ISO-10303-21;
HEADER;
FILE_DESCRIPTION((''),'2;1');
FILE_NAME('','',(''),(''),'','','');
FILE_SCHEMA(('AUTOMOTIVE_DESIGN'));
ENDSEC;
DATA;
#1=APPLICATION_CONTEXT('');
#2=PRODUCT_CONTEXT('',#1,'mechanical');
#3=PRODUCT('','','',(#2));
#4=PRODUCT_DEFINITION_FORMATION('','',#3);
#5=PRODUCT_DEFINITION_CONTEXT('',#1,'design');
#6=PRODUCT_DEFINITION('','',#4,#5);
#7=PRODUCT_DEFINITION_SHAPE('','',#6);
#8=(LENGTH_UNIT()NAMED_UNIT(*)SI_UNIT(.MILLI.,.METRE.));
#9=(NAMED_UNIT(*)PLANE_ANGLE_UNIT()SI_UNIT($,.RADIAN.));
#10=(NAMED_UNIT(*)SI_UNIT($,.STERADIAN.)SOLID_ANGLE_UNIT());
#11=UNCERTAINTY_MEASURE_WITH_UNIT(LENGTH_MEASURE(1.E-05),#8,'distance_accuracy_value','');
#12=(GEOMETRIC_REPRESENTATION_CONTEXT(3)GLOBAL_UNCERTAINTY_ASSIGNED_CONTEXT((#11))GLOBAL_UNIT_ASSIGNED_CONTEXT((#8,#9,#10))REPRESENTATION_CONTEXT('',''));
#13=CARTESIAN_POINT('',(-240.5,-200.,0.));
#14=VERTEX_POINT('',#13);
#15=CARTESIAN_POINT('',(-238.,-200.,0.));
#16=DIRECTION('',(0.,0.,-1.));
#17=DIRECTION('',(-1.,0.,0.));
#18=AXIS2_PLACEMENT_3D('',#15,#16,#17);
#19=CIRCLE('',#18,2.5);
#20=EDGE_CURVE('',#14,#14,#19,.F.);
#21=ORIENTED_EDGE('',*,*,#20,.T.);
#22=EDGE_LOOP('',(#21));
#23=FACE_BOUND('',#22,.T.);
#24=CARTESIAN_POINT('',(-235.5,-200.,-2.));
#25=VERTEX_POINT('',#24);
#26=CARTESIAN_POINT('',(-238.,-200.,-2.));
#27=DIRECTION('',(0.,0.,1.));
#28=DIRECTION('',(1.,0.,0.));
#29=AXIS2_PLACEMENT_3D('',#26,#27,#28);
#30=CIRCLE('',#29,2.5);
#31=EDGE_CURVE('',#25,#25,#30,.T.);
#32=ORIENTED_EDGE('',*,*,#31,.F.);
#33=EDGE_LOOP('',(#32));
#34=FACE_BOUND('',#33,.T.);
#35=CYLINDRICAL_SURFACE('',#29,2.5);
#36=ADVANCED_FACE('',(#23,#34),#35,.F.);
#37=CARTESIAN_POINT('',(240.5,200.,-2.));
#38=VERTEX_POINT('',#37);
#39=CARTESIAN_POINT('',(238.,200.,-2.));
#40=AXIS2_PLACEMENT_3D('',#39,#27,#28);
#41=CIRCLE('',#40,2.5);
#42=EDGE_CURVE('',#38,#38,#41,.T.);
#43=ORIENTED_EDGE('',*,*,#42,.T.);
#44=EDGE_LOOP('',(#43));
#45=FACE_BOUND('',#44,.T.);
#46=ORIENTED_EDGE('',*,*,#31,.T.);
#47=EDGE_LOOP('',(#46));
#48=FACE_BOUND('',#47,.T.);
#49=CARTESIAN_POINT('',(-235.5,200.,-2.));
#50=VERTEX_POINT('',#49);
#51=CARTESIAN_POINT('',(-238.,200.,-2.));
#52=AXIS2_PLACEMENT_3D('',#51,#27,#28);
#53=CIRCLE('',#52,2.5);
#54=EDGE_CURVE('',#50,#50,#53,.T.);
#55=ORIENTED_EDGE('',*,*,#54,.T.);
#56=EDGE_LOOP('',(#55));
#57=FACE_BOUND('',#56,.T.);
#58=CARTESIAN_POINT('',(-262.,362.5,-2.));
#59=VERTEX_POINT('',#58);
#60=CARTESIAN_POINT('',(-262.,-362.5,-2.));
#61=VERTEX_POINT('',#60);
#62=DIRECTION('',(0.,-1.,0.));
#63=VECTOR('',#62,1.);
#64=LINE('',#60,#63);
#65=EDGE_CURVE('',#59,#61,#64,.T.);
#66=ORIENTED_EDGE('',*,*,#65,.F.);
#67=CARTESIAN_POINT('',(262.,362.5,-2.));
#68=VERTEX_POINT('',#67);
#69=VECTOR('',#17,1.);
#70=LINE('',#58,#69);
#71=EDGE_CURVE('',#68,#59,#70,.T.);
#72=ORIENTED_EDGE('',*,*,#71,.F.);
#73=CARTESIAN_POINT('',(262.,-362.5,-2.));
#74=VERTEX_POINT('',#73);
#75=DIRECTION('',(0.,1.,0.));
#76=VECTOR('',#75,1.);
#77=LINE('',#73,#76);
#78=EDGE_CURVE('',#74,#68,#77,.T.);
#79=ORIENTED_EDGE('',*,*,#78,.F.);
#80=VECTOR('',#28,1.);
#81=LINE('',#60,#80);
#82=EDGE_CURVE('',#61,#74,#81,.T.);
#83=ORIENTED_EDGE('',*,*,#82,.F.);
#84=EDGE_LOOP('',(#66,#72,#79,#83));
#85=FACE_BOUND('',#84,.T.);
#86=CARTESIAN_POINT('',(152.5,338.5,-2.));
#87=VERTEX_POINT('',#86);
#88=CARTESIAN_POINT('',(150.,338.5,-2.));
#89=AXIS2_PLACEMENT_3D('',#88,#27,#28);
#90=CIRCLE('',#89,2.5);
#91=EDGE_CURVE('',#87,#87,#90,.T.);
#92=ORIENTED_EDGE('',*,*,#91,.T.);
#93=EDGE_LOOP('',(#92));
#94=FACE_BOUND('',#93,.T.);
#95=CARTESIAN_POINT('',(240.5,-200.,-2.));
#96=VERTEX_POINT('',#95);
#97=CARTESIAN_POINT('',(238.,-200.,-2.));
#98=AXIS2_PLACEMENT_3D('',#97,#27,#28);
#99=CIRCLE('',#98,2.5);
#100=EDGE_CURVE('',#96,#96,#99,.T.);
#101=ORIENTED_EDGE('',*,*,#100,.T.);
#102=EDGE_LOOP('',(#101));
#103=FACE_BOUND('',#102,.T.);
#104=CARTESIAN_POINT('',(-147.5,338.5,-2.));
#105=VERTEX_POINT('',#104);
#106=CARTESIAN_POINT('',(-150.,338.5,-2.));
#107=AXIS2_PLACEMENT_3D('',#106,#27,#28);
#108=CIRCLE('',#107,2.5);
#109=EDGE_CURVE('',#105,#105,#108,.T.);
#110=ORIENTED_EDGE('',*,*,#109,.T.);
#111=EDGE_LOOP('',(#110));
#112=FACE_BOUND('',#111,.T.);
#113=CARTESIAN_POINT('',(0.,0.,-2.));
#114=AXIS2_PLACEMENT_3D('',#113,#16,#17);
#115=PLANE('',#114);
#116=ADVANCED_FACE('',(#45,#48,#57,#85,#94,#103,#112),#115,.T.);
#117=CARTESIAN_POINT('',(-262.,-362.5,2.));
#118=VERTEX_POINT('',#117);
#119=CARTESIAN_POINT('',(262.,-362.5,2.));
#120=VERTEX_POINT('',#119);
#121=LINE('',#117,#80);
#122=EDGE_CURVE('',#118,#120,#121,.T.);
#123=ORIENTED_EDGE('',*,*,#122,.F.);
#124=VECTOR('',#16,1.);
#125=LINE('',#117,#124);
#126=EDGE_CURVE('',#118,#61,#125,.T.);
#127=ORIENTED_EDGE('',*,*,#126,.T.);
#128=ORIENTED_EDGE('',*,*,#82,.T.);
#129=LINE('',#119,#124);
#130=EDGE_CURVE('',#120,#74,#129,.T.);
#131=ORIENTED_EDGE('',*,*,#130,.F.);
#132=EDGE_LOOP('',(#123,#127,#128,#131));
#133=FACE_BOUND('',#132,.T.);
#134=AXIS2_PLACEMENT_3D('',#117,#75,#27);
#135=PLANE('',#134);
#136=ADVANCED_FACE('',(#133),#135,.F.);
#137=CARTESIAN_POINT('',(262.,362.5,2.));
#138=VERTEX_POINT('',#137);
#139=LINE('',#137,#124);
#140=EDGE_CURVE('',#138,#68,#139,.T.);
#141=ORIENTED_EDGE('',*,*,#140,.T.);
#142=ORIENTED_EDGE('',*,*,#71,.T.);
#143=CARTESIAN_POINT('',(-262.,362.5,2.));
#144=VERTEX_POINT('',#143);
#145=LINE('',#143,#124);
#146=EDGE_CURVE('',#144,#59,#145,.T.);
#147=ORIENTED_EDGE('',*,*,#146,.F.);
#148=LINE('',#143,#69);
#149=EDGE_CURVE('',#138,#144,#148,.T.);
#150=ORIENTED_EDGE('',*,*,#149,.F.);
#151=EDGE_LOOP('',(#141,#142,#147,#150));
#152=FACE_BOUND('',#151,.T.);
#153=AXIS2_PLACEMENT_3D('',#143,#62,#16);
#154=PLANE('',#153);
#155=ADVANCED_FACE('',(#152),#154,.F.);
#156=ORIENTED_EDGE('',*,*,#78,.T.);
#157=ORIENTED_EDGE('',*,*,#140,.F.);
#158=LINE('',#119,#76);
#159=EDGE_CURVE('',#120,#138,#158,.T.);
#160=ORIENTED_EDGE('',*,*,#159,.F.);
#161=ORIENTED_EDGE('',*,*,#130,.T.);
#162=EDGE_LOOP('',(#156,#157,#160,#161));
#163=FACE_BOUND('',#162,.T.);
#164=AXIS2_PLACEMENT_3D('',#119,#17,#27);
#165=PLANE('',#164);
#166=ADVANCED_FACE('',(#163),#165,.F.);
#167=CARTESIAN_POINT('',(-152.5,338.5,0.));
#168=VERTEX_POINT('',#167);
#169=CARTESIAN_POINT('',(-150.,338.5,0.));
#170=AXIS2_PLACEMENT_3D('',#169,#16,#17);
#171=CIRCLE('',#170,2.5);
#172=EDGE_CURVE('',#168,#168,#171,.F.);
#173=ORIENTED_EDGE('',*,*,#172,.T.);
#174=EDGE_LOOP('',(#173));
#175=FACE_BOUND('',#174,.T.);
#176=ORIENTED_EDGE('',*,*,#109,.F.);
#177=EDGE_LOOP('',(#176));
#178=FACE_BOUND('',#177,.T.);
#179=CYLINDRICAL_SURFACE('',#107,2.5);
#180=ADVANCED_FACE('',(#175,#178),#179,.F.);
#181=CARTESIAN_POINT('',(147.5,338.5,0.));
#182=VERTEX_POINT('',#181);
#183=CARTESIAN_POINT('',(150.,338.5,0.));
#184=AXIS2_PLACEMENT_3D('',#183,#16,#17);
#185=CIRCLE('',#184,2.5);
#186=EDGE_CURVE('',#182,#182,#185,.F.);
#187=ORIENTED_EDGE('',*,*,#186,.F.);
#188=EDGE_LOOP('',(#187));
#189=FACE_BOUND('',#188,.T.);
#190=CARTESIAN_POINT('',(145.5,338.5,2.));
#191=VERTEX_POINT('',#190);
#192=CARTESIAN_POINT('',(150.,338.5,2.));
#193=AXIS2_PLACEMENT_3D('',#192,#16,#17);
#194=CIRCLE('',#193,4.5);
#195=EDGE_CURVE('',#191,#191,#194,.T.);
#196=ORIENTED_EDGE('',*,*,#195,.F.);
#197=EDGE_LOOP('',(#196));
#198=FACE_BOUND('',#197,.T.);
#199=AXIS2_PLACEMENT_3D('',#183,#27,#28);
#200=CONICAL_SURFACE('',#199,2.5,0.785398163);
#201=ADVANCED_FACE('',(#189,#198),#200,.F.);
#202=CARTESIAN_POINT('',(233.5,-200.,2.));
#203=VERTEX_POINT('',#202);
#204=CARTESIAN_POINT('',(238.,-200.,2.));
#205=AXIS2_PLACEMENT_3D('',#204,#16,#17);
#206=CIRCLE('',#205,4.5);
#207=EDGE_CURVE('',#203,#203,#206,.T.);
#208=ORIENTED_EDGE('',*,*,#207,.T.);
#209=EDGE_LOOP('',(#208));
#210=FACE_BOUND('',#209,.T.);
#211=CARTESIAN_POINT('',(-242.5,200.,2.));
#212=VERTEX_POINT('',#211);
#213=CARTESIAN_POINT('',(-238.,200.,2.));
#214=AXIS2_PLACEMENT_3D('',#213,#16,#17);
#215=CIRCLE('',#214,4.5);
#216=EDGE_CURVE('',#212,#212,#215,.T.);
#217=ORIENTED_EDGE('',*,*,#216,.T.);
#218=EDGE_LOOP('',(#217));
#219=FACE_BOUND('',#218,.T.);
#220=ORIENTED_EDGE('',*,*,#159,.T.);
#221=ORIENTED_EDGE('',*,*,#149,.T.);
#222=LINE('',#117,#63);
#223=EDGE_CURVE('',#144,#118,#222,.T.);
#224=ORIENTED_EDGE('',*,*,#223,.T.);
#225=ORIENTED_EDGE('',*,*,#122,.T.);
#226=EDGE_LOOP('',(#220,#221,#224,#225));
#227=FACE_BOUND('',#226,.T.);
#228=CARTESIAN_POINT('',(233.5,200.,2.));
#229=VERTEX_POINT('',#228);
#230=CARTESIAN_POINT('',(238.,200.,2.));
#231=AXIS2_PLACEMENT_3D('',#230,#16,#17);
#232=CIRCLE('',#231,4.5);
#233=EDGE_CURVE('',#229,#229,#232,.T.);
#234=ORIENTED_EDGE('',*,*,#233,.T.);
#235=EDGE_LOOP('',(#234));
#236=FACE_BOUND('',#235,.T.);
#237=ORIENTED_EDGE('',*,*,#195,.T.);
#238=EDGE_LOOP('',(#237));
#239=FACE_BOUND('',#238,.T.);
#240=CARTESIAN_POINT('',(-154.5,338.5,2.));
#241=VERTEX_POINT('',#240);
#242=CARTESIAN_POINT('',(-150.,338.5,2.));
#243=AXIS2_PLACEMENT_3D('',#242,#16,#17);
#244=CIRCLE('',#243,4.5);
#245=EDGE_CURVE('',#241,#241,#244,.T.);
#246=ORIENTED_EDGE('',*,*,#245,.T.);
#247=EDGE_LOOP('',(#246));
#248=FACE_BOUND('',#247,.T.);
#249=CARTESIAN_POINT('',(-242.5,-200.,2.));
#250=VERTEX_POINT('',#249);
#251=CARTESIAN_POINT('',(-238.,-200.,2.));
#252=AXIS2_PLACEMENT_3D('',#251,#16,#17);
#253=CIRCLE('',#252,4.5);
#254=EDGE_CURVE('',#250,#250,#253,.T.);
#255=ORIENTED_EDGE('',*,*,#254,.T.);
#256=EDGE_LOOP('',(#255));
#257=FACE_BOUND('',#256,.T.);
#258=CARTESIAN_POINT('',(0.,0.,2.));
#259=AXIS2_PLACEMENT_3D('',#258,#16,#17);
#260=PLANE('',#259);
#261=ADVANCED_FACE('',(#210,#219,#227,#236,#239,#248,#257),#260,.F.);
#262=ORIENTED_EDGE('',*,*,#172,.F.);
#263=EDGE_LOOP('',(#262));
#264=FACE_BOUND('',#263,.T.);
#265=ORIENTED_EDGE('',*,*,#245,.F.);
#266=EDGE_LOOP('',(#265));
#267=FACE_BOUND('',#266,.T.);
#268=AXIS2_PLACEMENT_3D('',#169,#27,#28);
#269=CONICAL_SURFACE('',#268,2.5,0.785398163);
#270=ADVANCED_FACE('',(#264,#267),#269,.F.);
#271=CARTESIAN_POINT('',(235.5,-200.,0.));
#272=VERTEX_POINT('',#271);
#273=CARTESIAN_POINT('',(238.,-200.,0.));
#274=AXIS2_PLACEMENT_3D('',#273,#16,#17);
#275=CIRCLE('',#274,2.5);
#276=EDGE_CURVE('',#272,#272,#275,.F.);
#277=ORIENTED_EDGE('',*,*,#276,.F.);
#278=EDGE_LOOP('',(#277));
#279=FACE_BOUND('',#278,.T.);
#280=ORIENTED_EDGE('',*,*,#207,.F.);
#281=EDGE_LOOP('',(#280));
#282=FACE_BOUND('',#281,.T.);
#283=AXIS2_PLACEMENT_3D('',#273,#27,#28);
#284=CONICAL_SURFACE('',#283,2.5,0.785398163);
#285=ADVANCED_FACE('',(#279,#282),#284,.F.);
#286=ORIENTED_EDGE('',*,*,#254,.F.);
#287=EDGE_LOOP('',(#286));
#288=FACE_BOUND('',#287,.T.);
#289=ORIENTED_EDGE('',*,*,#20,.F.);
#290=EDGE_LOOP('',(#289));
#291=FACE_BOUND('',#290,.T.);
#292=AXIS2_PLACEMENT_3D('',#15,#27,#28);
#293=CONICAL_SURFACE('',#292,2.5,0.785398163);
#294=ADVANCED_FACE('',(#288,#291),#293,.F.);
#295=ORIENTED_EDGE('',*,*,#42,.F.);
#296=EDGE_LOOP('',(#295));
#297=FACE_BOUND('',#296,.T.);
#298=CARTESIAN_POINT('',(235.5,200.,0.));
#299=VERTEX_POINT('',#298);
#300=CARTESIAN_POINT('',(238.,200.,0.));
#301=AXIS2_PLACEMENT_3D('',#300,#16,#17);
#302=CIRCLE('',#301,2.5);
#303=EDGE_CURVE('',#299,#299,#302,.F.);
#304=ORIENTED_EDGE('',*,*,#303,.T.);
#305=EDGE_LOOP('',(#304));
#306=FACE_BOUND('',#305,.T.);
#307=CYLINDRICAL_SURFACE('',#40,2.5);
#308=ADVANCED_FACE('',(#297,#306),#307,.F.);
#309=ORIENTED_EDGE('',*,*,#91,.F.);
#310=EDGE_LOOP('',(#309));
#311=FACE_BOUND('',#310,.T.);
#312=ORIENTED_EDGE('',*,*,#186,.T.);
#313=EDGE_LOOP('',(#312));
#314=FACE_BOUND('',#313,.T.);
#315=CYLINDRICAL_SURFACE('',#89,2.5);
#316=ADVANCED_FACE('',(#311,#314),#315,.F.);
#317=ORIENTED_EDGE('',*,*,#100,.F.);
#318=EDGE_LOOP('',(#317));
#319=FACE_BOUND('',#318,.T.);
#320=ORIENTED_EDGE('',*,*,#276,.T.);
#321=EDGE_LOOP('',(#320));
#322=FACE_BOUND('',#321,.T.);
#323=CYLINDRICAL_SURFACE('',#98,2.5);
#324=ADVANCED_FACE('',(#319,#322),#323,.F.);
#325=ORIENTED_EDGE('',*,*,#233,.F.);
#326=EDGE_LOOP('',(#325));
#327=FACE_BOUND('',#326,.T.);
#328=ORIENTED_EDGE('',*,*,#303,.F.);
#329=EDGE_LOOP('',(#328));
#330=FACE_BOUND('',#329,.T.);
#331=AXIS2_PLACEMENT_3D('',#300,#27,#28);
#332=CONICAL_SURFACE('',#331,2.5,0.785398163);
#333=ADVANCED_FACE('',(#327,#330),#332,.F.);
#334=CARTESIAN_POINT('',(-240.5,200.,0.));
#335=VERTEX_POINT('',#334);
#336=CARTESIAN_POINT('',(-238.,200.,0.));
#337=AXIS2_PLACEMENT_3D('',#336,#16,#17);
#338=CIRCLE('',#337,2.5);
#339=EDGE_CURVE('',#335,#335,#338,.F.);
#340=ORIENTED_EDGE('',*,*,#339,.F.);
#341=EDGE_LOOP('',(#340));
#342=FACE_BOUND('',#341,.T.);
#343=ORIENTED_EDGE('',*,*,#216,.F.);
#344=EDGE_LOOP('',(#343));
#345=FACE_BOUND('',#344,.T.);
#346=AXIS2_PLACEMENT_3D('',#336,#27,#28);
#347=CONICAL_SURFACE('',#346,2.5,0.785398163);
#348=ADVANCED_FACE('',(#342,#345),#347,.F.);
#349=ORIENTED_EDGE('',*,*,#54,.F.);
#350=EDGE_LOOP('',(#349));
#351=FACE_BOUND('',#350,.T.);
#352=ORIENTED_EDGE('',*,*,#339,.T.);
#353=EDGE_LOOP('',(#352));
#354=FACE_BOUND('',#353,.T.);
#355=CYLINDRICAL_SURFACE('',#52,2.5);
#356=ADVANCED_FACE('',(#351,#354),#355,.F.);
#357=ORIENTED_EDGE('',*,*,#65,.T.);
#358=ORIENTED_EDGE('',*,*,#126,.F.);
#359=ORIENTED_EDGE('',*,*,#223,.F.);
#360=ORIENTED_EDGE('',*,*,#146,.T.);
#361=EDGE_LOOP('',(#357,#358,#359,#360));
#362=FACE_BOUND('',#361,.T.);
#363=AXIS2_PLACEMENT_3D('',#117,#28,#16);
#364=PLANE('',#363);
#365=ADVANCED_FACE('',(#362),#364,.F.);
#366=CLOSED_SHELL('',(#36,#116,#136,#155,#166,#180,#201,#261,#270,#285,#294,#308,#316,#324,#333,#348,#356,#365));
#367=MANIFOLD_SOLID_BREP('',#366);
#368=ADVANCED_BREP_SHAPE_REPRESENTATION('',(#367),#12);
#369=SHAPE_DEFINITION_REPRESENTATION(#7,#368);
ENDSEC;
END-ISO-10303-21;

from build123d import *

# Parameters (mm, degrees)
ESQUISSE1_W             = 524
ESQUISSE1_H             = 725
BOSS_EXTRU_1_DEPTH      = 2
ESQUISSE2_R             = 2.5
ENL_V_MAT_EXTRU_1_DEPTH = 448.287659119
CHANFREIN1_SIZE         = 2


with BuildPart() as part:
    # Esquisse1 → Boss.-Extru.1 (new, symmetric)
    with BuildSketch(Plane.XY):
        Rectangle(ESQUISSE1_W, ESQUISSE1_H)
    extrude(amount=BOSS_EXTRU_1_DEPTH, both=True)

    # Esquisse2 → Enlèv. mat.-Extru.1 (cut, through all)
    with BuildSketch(Plane.XY.offset(2)):
        with Locations((-238, -200)):
            Circle(ESQUISSE2_R)
        with Locations((-238, 200)):
            Circle(ESQUISSE2_R)
        with Locations((238, -200)):
            Circle(ESQUISSE2_R)
        with Locations((238, 200)):
            Circle(ESQUISSE2_R)
        with Locations((-150, 338.5)):
            Circle(ESQUISSE2_R)
        with Locations((150, 338.5)):
            Circle(ESQUISSE2_R)
    extrude(amount=-ENL_V_MAT_EXTRU_1_DEPTH, mode=Mode.SUBTRACT)

    # Chanfrein1
    chanfrein1_edges = [part.edges().sort_by_distance(p)[0] for p in [
        (-152.5, 338.5, 2),
        (235.5, 200, 2),
        (235.5, -200, 2),
        (-240.5, 200, 2),
        (147.5, 338.5, 2),
        (-240.5, -200, 2),
    ]]
    chamfer(chanfrein1_edges, length=CHANFREIN1_SIZE)


solid = part.part
